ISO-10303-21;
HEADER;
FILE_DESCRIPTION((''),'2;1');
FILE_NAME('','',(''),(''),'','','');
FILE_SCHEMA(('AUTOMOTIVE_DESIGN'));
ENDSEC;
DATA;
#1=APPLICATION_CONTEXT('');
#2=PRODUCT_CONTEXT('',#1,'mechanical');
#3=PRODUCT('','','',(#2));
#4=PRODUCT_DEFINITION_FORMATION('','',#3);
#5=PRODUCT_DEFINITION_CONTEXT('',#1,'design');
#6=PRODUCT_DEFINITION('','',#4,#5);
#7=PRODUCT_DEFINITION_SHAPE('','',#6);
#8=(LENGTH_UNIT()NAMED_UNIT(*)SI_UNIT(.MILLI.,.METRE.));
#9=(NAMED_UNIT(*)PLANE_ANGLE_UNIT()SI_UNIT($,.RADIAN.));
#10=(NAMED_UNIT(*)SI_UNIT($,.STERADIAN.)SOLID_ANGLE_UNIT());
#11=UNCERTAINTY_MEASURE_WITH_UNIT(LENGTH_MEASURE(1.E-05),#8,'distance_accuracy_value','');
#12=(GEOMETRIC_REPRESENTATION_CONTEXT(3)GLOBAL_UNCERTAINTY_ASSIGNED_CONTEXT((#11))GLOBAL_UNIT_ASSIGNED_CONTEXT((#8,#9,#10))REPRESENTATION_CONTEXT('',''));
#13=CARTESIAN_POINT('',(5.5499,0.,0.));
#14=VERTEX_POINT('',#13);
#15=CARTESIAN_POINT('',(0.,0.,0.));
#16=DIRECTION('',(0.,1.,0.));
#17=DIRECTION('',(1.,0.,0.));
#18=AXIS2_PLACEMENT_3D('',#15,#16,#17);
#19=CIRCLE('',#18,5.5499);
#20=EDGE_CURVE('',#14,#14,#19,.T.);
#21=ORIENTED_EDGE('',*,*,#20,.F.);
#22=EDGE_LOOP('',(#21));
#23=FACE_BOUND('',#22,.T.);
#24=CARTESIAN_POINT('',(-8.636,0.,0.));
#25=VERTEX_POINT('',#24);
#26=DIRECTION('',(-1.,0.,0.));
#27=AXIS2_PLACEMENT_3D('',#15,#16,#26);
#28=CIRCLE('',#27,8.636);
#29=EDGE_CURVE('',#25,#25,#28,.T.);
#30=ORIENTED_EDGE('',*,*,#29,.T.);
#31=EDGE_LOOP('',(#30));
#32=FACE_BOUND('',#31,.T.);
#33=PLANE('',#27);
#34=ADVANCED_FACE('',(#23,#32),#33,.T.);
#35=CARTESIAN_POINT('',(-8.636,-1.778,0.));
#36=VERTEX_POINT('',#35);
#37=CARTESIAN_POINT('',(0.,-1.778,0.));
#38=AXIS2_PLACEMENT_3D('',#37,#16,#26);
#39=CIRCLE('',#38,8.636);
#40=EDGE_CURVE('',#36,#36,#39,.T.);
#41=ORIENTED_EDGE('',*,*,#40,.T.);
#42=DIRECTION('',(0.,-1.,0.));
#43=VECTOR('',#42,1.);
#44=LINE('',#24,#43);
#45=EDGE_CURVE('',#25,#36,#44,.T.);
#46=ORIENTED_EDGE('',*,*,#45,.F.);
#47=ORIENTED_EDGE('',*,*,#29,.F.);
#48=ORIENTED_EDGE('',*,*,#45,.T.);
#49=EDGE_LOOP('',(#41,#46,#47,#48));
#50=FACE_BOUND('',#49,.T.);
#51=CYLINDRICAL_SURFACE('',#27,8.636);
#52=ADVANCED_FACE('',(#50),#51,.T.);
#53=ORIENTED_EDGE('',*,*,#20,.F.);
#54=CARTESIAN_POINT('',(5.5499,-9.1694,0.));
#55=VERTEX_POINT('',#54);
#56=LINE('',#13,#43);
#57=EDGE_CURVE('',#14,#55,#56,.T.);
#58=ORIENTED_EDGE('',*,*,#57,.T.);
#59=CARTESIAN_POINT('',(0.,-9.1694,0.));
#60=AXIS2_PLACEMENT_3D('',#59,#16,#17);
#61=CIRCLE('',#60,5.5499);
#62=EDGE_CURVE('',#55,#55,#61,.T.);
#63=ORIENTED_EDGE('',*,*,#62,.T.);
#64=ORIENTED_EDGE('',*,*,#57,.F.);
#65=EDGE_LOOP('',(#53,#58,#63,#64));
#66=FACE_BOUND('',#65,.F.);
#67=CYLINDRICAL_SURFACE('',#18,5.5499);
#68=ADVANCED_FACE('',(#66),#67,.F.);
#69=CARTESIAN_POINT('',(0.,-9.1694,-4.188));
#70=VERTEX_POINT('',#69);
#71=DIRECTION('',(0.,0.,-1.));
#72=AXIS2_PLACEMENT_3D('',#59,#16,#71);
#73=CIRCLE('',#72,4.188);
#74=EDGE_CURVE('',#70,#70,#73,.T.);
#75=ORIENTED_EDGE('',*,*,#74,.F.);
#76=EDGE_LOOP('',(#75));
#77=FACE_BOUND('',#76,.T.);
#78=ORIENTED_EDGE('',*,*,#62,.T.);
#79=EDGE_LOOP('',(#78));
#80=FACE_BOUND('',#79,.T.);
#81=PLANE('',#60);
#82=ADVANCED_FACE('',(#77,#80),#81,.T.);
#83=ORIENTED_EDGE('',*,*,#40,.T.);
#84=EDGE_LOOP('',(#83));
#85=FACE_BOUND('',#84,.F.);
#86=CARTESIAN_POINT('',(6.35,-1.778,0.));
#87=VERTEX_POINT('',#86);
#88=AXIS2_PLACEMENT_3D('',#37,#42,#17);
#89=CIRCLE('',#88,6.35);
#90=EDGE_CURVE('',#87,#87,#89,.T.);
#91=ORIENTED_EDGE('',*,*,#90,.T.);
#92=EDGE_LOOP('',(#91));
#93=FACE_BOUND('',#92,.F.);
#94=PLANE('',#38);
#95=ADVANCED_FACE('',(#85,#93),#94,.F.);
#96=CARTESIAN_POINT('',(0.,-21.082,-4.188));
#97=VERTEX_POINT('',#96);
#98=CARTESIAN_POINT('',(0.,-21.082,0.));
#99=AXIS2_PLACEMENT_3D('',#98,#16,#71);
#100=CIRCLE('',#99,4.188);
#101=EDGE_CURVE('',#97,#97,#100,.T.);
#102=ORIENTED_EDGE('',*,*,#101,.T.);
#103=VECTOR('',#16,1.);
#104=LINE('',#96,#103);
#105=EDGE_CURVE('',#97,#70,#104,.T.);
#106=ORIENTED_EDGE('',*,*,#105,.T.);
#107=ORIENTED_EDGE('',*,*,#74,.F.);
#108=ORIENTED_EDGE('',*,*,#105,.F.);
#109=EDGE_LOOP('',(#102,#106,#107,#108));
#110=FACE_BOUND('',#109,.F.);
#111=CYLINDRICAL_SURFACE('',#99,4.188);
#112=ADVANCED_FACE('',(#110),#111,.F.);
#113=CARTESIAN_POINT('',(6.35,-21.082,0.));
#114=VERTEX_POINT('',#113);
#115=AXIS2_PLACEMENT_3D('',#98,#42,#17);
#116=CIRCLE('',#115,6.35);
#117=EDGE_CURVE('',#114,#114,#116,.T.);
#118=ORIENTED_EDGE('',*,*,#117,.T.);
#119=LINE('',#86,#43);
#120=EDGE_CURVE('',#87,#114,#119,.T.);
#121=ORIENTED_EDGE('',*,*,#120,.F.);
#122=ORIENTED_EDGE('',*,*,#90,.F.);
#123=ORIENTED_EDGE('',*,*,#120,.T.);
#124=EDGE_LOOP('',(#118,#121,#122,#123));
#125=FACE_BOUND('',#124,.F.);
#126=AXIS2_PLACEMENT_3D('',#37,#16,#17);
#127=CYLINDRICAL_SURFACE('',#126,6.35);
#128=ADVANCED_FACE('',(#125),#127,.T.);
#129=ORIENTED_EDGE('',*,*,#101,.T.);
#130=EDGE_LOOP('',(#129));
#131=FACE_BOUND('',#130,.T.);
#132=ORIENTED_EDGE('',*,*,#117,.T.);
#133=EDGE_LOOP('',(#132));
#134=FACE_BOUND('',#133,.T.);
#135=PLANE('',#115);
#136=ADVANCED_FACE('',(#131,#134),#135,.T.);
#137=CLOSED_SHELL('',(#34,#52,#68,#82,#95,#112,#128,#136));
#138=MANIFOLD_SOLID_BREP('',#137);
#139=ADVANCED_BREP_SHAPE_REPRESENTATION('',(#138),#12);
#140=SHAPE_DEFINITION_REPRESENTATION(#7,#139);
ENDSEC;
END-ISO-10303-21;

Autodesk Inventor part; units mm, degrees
ref_plane "YZ Plane" through (0, 0, 0) normal (1, 0, 0) x (0, 1, 0)
ref_plane "XZ Plane" through (0, 0, 0) normal (0, 1, 0) x (-1, 0, 0)
ref_plane "XY Plane" through (0, 0, 0) normal (0, 0, 1) x (1, 0, 0)
sketch "Sketch2" plane through (0, 0, 0) normal (0, 1, 0) x (-1, 0, 0)
  circle A0 centre (0, 0) radius 8.636
  dimension "d0" = 17.272
extrude "Extrusion1" add sketch "Sketch2" against normal blind 1.778
sketch "Sketch3" plane through (0, -1.778, 0) normal (0, -1, 0) x (1, 0, 0)
  circle A0 centre (0, 0) radius 6.35
  dimension "d3" = 12.7
extrude "Extrusion2" add sketch "Sketch3" along normal blind 19.304
sketch "Sketch4" plane through (0, -21.082, 0) normal (0, -1, 0) x (1, 0, 0)
  point P0 (0, 0)
  point P1 (0, 0)
hole "Hole1" at (0, -21.082, 0) direction (0, 1, 0) diameter 8.376 end through all thread size "M10x1.5" class "6H" standard "ANSI Metric M Profile"
sketch "Sketch5" plane through (0, 0, 0) normal (0, 1, 0) x (1, 0, 0)
  circle A0 centre (0, 0) radius 5.5499
  dimension "d13" = 11.0998
extrude "Extrusion3" cut sketch "Sketch5" against normal blind 9.1694
properties part number "M10x1_5_insert"
